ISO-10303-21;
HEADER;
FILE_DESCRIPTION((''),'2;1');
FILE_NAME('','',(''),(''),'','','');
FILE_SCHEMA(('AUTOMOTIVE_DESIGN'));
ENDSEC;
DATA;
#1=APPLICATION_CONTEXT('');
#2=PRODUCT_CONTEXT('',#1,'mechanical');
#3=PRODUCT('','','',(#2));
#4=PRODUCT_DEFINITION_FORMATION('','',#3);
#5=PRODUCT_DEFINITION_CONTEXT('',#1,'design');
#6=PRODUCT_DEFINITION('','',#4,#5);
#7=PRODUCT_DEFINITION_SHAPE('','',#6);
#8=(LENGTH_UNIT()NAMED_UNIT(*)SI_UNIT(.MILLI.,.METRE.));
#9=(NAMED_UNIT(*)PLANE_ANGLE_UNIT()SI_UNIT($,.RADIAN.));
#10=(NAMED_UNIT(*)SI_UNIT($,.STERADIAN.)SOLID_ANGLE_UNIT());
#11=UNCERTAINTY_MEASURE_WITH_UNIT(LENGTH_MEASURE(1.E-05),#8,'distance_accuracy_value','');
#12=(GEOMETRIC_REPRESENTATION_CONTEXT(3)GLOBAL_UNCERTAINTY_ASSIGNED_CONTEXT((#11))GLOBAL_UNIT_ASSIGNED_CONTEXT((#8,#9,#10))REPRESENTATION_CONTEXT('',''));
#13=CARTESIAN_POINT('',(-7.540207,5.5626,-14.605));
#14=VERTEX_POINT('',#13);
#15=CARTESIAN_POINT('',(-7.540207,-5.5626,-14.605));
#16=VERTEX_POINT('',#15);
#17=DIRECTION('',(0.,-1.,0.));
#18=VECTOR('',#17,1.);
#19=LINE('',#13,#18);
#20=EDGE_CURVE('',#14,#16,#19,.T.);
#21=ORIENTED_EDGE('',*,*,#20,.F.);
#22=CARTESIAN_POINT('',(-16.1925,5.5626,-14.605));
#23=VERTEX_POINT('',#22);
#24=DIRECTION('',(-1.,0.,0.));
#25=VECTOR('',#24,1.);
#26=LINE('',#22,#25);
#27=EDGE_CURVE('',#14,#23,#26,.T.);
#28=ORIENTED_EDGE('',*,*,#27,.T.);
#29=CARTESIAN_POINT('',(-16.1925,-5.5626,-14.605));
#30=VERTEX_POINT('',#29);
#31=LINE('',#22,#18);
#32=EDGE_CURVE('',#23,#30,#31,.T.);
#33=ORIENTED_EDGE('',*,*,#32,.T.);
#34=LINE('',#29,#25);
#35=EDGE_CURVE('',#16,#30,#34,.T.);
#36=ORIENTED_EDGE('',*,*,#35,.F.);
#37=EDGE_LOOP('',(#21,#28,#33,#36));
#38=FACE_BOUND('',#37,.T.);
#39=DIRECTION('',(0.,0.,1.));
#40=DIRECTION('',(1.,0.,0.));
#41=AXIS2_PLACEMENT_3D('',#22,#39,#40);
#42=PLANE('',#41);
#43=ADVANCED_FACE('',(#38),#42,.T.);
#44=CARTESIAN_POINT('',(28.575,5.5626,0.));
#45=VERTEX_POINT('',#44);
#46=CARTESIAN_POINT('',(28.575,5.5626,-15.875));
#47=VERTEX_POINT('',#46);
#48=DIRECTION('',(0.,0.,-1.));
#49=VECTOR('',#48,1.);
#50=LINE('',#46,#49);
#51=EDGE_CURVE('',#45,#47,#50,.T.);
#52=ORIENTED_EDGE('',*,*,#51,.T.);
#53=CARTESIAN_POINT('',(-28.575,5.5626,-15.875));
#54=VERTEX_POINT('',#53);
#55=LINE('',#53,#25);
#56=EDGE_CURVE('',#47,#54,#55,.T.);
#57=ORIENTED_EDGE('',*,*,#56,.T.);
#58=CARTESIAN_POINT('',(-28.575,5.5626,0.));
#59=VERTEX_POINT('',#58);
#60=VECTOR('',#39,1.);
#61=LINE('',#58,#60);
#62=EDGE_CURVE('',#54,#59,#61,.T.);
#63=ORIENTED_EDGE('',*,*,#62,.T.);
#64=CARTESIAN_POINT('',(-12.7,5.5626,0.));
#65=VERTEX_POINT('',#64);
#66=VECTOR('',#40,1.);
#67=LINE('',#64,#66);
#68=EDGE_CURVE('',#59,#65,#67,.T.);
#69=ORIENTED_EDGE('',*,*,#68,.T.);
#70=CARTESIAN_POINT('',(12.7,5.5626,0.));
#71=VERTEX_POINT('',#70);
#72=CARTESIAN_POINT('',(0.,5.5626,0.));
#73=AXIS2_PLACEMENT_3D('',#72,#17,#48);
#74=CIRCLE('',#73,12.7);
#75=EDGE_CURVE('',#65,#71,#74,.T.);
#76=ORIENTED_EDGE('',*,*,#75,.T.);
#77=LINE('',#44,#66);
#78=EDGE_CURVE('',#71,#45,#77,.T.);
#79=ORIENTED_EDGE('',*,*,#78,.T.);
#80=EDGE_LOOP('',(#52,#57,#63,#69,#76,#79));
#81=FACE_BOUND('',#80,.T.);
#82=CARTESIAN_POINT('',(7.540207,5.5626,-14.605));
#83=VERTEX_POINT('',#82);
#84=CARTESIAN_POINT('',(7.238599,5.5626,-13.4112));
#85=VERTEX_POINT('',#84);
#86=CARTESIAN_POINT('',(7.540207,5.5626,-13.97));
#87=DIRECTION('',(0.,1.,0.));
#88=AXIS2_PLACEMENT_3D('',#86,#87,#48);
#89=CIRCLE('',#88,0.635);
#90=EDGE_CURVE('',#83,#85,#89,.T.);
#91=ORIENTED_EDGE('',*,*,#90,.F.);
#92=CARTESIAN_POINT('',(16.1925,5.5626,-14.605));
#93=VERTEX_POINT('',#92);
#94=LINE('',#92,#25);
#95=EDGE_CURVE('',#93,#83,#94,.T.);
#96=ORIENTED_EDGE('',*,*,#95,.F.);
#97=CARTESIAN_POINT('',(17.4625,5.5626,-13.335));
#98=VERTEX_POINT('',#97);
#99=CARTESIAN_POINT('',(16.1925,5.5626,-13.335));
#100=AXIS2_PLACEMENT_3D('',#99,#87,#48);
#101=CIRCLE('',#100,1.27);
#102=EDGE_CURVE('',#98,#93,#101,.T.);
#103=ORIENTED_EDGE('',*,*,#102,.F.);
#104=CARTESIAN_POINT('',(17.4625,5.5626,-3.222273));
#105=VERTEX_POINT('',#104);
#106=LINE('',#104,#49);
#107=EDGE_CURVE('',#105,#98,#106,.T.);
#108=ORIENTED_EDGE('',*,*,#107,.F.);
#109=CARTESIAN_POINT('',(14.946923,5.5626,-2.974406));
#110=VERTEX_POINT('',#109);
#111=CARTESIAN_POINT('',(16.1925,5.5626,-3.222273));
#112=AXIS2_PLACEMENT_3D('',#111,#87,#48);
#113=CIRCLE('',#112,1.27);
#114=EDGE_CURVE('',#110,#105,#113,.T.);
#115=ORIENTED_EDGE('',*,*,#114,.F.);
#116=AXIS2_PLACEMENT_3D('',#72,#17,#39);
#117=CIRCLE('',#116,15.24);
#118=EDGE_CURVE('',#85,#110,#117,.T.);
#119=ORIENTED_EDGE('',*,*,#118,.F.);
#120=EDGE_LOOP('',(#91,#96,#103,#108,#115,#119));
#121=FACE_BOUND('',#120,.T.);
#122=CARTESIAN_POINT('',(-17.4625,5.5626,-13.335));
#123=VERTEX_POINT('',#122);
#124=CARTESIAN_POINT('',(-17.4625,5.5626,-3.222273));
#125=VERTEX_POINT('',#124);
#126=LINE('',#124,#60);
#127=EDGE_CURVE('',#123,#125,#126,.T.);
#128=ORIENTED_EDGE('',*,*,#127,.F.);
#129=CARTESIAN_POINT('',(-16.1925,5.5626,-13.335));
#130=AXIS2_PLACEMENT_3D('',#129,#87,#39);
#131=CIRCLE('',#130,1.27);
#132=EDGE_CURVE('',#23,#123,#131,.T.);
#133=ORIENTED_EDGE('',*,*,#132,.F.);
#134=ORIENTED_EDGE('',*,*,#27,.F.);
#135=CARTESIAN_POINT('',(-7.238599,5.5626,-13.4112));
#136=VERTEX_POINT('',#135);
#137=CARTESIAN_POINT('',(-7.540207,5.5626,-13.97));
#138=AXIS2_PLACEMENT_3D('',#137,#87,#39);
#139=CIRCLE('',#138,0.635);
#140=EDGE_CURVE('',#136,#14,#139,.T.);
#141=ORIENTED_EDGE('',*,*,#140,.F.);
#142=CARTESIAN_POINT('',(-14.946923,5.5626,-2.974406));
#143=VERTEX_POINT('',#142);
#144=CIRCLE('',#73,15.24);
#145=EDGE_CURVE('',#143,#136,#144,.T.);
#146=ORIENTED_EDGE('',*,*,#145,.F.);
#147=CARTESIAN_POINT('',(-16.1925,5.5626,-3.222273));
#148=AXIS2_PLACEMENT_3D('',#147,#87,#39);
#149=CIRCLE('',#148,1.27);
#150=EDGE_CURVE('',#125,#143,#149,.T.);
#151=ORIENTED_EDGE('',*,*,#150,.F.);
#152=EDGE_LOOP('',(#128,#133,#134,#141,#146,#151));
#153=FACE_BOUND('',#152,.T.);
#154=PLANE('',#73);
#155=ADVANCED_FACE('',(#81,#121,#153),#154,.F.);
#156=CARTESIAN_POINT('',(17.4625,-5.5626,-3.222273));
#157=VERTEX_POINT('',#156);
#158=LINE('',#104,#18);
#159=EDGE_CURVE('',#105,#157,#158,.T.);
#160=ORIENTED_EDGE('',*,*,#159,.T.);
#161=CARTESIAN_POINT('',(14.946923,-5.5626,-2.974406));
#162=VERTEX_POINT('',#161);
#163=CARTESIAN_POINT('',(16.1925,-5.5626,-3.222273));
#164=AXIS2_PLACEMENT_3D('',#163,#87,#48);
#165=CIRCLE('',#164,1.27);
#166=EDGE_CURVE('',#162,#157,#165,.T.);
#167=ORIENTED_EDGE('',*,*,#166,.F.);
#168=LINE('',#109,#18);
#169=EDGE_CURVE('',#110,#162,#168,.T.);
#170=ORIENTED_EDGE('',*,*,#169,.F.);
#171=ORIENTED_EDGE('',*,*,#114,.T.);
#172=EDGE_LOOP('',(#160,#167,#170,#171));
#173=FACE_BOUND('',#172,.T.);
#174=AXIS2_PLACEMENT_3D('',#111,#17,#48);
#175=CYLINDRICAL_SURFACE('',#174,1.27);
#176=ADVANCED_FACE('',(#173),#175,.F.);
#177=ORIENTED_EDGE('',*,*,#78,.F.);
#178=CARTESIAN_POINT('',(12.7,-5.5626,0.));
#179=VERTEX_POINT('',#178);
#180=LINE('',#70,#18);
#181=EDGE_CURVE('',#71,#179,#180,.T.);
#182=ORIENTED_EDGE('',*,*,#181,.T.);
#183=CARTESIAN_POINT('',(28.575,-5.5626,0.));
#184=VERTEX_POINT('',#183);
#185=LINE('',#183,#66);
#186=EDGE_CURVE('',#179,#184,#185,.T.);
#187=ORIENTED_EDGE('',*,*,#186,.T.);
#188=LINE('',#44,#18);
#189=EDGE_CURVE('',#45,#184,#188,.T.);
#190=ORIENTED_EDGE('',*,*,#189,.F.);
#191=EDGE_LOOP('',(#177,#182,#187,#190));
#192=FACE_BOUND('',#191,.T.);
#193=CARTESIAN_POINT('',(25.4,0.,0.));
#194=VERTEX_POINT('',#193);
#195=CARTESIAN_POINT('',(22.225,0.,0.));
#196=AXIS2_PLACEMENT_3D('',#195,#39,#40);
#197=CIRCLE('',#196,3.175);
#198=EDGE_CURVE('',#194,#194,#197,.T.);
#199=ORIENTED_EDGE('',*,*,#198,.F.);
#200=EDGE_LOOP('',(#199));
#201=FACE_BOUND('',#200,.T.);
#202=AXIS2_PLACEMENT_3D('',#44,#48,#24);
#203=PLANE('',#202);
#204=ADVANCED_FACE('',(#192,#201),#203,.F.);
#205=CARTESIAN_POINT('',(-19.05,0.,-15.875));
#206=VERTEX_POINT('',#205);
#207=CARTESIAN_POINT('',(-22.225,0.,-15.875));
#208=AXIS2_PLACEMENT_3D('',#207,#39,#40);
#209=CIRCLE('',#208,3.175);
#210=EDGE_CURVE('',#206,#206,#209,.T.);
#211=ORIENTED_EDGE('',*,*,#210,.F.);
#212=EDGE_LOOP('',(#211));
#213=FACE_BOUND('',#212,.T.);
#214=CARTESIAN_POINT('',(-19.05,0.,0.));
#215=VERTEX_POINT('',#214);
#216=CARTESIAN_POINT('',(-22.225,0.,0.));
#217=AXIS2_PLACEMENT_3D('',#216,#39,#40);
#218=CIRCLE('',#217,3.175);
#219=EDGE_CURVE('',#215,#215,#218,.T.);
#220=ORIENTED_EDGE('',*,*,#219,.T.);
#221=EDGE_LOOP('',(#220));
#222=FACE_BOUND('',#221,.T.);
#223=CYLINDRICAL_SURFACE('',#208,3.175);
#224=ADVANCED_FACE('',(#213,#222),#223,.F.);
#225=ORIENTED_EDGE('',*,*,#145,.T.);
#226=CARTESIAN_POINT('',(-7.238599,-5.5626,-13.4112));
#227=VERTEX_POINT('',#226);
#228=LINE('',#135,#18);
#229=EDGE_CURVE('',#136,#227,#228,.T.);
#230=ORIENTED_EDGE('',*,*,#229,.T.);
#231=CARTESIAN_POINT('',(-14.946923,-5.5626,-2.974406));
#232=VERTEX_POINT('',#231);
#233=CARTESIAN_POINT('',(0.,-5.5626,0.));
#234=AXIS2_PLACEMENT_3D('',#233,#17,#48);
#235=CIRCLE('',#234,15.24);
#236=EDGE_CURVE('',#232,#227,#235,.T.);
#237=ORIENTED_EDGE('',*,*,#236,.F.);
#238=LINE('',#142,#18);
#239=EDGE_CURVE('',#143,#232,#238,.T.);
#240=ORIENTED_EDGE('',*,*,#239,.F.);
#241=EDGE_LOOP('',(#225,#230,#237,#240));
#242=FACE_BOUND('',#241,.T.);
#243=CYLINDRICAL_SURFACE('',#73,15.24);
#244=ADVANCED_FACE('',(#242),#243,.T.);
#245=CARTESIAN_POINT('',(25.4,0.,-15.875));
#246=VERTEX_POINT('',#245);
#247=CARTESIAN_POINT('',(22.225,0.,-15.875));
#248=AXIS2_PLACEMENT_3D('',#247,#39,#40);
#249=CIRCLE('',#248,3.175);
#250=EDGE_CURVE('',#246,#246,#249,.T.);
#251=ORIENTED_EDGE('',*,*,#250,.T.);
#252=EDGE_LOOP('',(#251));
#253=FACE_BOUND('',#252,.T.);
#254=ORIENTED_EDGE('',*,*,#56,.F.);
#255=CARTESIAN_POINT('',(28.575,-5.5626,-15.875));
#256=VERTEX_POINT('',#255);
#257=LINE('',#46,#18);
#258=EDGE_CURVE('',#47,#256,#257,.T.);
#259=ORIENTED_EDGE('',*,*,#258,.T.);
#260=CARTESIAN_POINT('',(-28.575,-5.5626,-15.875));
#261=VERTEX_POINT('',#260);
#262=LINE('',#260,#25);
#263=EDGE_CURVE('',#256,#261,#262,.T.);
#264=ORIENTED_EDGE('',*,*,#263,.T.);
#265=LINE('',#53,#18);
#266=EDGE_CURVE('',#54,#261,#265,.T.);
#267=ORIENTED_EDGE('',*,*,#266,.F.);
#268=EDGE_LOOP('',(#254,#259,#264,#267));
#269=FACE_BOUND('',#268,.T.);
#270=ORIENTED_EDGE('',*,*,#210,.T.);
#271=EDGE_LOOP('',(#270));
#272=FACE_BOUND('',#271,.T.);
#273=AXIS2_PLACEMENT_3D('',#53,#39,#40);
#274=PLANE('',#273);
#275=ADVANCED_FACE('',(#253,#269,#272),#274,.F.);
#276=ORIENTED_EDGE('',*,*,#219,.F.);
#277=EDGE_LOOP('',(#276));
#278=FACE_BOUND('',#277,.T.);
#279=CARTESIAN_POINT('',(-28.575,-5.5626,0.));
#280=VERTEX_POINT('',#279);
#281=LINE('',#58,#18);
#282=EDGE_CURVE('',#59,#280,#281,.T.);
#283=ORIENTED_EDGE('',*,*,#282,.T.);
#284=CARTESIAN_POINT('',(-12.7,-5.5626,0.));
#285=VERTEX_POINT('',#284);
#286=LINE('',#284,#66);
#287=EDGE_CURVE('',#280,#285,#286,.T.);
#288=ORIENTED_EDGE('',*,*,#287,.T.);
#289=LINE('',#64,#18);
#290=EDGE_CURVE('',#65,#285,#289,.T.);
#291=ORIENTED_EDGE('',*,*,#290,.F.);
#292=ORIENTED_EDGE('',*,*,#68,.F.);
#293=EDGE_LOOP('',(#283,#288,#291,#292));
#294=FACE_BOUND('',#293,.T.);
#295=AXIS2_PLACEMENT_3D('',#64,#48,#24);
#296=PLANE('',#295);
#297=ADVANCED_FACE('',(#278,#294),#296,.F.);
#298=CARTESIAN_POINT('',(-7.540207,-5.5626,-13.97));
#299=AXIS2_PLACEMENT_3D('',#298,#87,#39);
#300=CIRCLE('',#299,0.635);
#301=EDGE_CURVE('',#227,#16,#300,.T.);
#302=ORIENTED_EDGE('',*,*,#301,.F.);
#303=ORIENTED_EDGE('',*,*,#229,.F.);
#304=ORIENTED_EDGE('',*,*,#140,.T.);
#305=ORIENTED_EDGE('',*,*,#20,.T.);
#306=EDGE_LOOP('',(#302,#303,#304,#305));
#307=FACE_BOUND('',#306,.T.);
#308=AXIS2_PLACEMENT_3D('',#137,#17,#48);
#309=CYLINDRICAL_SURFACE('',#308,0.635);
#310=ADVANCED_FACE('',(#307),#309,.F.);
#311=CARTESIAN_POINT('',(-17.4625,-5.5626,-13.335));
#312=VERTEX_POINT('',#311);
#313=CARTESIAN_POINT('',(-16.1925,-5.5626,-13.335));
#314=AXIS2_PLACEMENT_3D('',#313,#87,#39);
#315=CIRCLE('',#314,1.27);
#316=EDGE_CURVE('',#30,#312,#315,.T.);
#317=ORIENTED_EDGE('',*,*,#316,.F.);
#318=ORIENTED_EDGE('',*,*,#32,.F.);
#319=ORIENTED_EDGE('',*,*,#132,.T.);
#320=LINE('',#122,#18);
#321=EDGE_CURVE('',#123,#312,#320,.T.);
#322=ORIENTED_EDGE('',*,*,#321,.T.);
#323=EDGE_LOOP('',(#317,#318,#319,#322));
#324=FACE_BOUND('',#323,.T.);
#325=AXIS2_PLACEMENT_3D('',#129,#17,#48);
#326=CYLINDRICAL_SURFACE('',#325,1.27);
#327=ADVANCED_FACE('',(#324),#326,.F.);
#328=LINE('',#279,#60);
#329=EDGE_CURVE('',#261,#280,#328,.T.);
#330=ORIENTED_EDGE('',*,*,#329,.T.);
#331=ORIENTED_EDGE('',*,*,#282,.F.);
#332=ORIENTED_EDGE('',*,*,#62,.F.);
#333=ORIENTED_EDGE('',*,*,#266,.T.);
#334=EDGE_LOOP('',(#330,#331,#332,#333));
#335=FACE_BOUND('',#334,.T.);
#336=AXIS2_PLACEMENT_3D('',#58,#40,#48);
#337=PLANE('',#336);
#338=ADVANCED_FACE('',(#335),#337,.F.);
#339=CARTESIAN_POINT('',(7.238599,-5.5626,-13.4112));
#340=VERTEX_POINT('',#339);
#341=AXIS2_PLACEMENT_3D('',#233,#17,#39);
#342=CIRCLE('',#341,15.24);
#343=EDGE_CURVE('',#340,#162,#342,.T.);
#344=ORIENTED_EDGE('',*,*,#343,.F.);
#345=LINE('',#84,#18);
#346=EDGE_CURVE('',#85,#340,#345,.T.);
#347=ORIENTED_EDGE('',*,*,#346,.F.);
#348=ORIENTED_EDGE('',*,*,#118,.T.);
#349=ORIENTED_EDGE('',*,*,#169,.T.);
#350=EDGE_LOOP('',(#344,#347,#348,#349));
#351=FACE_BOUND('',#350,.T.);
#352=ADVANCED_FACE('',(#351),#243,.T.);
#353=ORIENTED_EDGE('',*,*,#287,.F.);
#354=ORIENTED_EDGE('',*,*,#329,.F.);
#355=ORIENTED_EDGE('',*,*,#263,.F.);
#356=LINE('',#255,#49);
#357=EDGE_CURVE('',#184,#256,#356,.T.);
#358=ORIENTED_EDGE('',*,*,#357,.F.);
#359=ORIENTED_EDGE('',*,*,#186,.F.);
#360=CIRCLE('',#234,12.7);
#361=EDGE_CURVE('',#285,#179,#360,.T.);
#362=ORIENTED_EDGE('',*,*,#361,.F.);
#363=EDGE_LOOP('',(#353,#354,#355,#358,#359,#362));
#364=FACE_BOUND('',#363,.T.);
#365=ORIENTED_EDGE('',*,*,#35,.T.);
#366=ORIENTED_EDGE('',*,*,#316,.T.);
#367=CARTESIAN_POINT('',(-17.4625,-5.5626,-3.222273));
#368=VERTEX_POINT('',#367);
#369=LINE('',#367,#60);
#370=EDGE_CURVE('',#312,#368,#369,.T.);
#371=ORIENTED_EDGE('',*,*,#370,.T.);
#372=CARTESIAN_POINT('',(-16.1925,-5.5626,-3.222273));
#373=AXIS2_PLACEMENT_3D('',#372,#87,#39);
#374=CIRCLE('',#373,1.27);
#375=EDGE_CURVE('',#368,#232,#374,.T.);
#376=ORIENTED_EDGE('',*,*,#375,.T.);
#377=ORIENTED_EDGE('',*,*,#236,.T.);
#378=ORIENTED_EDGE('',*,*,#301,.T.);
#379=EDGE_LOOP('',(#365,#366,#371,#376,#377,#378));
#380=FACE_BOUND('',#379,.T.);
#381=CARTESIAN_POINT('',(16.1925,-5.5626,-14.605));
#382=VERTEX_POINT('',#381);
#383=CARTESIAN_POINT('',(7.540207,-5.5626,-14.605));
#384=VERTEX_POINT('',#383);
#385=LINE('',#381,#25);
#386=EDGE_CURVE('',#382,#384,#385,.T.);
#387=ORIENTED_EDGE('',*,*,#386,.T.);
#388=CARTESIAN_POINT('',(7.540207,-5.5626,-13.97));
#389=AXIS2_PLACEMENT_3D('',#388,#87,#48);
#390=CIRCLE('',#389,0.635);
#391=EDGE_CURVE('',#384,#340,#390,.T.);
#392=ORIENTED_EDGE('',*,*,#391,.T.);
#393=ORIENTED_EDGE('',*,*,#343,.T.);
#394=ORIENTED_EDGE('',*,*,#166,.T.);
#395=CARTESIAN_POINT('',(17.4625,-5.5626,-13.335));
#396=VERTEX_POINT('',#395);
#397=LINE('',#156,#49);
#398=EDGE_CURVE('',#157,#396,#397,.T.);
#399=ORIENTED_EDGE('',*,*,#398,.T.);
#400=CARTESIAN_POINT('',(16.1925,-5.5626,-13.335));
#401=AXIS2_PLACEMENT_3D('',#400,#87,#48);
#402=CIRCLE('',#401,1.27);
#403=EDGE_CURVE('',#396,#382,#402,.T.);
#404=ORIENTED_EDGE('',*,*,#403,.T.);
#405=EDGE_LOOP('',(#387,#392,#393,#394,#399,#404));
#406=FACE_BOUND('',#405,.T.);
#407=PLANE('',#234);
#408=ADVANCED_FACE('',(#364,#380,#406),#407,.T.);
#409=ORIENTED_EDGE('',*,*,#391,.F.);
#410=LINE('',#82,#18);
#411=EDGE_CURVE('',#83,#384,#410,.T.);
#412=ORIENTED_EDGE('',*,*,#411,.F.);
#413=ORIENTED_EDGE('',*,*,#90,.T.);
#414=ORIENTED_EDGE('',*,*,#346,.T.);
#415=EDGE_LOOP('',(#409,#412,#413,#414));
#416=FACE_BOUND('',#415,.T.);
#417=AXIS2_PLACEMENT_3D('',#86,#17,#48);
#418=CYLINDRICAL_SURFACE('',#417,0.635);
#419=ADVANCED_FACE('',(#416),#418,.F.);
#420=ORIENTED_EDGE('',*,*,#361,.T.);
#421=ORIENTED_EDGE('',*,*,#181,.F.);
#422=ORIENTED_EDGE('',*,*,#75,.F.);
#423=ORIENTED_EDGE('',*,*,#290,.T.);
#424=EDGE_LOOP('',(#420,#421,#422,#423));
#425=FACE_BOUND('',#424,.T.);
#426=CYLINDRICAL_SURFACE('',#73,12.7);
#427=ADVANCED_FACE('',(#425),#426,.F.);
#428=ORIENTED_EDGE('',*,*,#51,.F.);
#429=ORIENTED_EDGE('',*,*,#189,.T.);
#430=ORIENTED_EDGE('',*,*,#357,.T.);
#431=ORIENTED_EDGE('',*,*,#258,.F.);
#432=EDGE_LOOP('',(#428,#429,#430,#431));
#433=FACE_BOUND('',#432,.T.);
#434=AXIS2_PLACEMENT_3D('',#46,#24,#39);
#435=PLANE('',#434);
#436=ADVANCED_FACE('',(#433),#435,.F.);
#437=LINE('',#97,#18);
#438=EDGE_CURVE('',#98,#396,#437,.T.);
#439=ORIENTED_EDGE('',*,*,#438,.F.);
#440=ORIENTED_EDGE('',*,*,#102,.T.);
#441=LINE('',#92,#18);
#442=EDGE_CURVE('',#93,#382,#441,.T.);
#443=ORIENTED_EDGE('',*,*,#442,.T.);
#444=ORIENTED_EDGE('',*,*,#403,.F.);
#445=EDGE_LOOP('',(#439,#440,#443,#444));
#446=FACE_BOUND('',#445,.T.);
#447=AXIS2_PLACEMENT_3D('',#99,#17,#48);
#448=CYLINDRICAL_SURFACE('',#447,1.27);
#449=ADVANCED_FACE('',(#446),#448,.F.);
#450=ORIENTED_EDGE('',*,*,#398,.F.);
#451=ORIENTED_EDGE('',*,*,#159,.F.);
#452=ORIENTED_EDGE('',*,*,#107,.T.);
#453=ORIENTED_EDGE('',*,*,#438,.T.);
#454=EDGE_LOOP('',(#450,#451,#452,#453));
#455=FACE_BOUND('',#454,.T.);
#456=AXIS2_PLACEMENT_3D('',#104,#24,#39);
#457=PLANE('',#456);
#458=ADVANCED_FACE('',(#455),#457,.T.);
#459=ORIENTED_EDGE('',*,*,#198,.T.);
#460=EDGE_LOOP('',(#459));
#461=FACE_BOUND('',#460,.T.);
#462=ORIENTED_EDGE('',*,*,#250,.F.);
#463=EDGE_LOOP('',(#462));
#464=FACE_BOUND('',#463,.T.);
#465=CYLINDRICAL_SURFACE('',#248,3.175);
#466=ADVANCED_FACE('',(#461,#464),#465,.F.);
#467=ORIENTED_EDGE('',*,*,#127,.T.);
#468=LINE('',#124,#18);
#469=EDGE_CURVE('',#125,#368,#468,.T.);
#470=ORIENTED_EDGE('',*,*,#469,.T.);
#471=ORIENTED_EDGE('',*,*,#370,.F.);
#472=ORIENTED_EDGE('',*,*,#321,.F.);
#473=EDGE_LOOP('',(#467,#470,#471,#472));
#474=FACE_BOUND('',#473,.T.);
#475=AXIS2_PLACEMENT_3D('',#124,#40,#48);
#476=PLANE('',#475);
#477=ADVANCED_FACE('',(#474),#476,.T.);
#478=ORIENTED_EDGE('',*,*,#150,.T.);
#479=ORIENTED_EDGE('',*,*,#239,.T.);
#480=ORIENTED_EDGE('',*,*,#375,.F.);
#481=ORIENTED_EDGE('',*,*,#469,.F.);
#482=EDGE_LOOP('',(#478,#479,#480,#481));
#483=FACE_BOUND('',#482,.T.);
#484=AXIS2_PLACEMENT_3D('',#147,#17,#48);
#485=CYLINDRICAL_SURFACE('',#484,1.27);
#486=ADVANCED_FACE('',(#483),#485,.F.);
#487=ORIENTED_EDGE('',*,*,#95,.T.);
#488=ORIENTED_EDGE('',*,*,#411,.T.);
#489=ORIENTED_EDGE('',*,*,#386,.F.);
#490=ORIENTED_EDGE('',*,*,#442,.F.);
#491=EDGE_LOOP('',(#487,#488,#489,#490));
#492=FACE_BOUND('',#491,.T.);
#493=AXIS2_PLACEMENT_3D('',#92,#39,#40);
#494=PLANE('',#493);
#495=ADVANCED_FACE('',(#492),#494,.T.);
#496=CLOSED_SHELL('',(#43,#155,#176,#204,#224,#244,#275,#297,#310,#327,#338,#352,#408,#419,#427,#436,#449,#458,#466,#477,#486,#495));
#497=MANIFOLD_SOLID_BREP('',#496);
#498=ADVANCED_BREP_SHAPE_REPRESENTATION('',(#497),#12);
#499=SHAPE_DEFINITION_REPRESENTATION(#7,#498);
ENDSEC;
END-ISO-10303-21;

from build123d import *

# Parameters (mm, degrees)
BOSS_EXTRUDE1_DEPTH = 5.5626
SKETCH2_R           = 3.175
CUT_EXTRUDE1_DEPTH  = 34.158539907


with BuildPart() as part:
    # Sketch1 → Boss-Extrude1 (new, symmetric)
    with BuildSketch(Plane(origin=(0, 0, 0), x_dir=(1, 0, 0), z_dir=(0, 1, 0))):
        with BuildLine():
            Line((-12.7, 0), (-28.575, 0))
            Line((-28.575, 0), (-28.575, 15.875))
            Line((-28.575, 15.875), (28.575, 15.875))
            Line((28.575, 15.875), (28.575, 0))
            Line((28.575, 0), (12.7, 0))
            ThreePointArc((12.7, 0), (0, 12.7), (-12.7, 0))
        make_face()
        with BuildLine():
            Line((16.1925, 14.605), (7.540207225, 14.605))
            ThreePointArc((7.540207225, 14.605), (6.924551883, 14.125542599), (7.238598936, 13.4112))
            ThreePointArc((7.238598936, 13.4112), (12.258915713, 9.054092199), (14.946923077, 2.974405913))
            ThreePointArc((14.946923077, 2.974405913), (16.317033746, 1.958393589), (17.4625, 3.222273072))
            Line((17.4625, 3.222273072), (17.4625, 13.335))
            ThreePointArc((17.4625, 13.335), (17.090525612, 14.233025612), (16.1925, 14.605))
        make_face(mode=Mode.SUBTRACT)
        with BuildLine():
            Line((-17.4625, 3.222273072), (-17.4625, 13.335))
            ThreePointArc((-17.4625, 13.335), (-17.090525612, 14.233025612), (-16.1925, 14.605))
            Line((-16.1925, 14.605), (-7.540207225, 14.605))
            ThreePointArc((-7.540207225, 14.605), (-6.924551883, 14.125542599), (-7.238598936, 13.4112))
            ThreePointArc((-7.238598936, 13.4112), (-12.258915713, 9.054092199), (-14.946923077, 2.974405913))
            ThreePointArc((-14.946923077, 2.974405913), (-16.317033746, 1.958393589), (-17.4625, 3.222273072))
        make_face(mode=Mode.SUBTRACT)
    extrude(amount=BOSS_EXTRUDE1_DEPTH, both=True)

    # Sketch2 → Cut-Extrude1 (cut, through all)
    with BuildSketch(Plane.XY):
        with Locations((-22.225, 0)):
            Circle(SKETCH2_R)
        with Locations((22.225, 0)):
            Circle(SKETCH2_R)
    extrude(amount=-CUT_EXTRUDE1_DEPTH, mode=Mode.SUBTRACT)


solid = part.part
